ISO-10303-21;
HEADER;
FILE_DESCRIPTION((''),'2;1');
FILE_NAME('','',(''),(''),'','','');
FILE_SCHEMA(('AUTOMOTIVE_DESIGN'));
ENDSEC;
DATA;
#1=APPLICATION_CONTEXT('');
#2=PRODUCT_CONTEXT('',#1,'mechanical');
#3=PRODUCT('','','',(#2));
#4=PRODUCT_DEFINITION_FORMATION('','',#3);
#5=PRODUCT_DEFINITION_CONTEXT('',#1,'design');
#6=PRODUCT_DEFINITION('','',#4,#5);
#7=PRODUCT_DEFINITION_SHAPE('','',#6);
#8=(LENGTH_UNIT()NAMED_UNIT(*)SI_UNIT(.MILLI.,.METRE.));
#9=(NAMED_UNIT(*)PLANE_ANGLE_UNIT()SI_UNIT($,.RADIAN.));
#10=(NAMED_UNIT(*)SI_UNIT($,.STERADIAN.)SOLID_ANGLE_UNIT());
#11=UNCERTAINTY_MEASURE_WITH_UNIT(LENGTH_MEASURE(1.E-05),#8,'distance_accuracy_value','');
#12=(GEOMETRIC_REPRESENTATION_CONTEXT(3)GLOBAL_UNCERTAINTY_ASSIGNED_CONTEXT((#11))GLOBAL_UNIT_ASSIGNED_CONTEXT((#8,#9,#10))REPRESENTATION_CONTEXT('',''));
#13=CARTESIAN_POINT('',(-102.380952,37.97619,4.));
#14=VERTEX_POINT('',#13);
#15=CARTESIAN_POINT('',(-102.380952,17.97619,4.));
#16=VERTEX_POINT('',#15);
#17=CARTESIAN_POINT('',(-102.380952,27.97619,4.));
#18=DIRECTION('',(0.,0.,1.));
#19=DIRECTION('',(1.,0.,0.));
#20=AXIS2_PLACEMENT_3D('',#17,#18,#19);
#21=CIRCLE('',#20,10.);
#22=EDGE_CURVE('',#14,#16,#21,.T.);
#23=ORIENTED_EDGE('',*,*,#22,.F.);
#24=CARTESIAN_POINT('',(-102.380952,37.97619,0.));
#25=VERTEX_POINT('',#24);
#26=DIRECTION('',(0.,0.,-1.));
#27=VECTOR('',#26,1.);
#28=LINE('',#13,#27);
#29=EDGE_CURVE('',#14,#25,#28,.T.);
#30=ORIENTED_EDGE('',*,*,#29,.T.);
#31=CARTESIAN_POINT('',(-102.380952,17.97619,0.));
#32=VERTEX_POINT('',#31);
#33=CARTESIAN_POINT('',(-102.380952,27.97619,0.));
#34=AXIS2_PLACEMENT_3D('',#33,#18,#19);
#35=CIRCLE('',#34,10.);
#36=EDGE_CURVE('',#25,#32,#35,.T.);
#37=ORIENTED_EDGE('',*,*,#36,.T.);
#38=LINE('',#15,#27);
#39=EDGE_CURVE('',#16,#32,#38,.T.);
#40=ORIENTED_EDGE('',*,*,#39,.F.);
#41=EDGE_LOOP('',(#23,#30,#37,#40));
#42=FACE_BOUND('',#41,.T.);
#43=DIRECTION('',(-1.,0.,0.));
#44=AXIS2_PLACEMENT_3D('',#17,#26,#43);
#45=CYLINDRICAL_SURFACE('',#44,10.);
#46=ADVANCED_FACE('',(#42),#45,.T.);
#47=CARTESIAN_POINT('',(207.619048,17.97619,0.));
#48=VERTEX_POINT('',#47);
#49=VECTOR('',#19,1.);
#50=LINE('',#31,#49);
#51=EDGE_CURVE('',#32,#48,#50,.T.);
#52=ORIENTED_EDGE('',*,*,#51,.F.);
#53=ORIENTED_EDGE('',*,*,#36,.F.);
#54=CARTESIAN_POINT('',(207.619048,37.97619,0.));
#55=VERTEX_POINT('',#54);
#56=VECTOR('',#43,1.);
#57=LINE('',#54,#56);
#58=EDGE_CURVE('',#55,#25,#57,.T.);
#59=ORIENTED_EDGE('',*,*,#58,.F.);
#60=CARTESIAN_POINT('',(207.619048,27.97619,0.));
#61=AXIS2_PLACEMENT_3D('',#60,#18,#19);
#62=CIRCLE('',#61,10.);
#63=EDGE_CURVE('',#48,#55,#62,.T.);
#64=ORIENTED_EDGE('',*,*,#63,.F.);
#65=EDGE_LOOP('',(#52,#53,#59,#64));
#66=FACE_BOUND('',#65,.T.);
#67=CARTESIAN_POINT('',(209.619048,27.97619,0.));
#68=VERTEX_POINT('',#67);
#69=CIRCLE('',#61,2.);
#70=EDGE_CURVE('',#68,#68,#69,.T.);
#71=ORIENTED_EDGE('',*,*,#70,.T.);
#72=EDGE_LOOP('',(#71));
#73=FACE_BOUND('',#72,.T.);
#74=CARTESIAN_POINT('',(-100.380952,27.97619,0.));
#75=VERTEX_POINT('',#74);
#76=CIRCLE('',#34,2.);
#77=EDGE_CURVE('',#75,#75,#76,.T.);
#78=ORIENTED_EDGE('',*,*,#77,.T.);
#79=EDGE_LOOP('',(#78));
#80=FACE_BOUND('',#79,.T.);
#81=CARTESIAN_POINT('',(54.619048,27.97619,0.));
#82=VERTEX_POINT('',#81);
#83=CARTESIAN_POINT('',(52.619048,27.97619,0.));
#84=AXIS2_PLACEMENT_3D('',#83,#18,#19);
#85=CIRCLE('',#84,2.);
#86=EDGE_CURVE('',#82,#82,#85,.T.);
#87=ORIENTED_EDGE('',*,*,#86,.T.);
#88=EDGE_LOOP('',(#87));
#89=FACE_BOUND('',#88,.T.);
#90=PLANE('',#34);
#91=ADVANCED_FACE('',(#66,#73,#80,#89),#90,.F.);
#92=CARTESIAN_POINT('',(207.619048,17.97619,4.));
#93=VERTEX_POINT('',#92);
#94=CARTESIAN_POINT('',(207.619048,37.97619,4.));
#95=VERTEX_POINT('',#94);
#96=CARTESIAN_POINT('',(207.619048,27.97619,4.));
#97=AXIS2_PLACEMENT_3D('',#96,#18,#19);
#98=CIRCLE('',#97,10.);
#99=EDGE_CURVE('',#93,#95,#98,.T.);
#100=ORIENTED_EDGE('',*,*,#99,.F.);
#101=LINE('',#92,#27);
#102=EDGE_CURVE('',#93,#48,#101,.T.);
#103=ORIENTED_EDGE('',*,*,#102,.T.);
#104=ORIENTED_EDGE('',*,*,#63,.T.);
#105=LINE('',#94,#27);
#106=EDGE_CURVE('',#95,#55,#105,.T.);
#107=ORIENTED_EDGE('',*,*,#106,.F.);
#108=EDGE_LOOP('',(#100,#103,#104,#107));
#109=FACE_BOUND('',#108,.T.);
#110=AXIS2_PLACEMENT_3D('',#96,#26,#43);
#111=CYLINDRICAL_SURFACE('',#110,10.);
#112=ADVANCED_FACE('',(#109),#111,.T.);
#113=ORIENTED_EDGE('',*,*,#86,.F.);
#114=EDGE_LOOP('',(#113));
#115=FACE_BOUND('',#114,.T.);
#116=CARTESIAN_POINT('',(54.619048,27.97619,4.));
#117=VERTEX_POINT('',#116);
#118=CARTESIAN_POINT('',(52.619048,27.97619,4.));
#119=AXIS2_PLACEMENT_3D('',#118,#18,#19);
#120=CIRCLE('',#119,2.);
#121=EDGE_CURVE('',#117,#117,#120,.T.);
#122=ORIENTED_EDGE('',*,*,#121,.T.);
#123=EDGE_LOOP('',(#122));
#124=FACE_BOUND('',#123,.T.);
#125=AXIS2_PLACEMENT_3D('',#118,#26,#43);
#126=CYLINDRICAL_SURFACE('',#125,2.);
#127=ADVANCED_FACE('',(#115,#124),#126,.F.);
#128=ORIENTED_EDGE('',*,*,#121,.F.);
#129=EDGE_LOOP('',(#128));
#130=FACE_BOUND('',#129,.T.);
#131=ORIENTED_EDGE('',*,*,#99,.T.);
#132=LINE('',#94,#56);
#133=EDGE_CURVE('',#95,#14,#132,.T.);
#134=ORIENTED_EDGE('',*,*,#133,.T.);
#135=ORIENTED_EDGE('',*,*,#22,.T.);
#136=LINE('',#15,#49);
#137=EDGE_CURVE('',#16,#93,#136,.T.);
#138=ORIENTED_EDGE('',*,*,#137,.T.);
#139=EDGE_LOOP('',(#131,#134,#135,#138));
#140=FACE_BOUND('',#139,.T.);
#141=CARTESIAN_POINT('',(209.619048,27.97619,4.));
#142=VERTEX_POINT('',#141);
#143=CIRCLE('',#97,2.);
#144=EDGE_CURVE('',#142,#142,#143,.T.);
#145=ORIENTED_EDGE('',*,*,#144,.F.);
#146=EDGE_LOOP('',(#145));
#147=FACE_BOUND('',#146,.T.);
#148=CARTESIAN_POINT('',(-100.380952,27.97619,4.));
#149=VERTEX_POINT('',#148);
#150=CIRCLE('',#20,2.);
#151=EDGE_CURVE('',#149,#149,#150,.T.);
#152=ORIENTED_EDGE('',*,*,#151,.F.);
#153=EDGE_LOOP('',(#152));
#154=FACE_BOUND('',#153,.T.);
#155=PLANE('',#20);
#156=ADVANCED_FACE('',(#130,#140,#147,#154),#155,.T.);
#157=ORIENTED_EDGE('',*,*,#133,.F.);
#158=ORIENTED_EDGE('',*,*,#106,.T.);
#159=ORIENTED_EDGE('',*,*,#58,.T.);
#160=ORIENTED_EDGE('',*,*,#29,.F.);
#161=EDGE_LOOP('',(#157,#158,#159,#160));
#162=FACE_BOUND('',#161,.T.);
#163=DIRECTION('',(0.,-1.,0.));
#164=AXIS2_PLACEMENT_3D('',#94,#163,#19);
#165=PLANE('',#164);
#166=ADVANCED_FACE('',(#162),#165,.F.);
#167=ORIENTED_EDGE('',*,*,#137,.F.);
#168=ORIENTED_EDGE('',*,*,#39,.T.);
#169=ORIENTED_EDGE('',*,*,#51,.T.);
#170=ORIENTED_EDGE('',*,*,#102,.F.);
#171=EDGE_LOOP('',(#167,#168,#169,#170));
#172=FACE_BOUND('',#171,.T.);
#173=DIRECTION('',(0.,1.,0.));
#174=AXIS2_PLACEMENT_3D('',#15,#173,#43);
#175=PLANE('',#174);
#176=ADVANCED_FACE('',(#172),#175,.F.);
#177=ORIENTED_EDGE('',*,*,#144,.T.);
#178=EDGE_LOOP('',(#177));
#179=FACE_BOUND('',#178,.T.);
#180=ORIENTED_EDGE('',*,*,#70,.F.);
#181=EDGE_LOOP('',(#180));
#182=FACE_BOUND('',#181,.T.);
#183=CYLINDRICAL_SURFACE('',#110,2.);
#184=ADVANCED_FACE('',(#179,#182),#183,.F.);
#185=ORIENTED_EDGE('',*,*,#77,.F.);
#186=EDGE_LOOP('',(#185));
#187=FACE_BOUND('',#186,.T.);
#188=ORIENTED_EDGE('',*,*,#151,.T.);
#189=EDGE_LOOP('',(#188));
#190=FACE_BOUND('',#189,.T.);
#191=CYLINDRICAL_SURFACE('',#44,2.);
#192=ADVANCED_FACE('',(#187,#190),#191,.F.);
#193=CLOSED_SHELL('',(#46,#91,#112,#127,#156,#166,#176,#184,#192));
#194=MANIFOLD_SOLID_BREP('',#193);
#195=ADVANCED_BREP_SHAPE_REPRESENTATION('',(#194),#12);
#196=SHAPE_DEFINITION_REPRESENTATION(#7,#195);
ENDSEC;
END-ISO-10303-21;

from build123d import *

# Parameters (mm, degrees)
SKETCH_1_R      = 2
EXTRUDE_1_DEPTH = 4


with BuildPart() as part:
    # 草图1 → 凸台-拉伸1 (new body)
    with BuildSketch(Plane.XY):
        with BuildLine():
            Line((-102.380952381, 17.976190476), (207.619047619, 17.976190476))
            ThreePointArc((207.619047619, 17.976190476), (217.619047619, 27.976190476), (207.619047619, 37.976190476))
            Line((207.619047619, 37.976190476), (-102.380952381, 37.976190476))
            ThreePointArc((-102.380952381, 37.976190476), (-112.380952381, 27.976190476), (-102.380952381, 17.976190476))
        make_face()
        with Locations((207.619047619, 27.976190476)):
            Circle(SKETCH_1_R, mode=Mode.SUBTRACT)
        with Locations((52.619047619, 27.976190476)):
            Circle(SKETCH_1_R, mode=Mode.SUBTRACT)
        with Locations((-102.380952381, 27.976190476)):
            Circle(SKETCH_1_R, mode=Mode.SUBTRACT)
    extrude(amount=EXTRUDE_1_DEPTH)


solid = part.part
